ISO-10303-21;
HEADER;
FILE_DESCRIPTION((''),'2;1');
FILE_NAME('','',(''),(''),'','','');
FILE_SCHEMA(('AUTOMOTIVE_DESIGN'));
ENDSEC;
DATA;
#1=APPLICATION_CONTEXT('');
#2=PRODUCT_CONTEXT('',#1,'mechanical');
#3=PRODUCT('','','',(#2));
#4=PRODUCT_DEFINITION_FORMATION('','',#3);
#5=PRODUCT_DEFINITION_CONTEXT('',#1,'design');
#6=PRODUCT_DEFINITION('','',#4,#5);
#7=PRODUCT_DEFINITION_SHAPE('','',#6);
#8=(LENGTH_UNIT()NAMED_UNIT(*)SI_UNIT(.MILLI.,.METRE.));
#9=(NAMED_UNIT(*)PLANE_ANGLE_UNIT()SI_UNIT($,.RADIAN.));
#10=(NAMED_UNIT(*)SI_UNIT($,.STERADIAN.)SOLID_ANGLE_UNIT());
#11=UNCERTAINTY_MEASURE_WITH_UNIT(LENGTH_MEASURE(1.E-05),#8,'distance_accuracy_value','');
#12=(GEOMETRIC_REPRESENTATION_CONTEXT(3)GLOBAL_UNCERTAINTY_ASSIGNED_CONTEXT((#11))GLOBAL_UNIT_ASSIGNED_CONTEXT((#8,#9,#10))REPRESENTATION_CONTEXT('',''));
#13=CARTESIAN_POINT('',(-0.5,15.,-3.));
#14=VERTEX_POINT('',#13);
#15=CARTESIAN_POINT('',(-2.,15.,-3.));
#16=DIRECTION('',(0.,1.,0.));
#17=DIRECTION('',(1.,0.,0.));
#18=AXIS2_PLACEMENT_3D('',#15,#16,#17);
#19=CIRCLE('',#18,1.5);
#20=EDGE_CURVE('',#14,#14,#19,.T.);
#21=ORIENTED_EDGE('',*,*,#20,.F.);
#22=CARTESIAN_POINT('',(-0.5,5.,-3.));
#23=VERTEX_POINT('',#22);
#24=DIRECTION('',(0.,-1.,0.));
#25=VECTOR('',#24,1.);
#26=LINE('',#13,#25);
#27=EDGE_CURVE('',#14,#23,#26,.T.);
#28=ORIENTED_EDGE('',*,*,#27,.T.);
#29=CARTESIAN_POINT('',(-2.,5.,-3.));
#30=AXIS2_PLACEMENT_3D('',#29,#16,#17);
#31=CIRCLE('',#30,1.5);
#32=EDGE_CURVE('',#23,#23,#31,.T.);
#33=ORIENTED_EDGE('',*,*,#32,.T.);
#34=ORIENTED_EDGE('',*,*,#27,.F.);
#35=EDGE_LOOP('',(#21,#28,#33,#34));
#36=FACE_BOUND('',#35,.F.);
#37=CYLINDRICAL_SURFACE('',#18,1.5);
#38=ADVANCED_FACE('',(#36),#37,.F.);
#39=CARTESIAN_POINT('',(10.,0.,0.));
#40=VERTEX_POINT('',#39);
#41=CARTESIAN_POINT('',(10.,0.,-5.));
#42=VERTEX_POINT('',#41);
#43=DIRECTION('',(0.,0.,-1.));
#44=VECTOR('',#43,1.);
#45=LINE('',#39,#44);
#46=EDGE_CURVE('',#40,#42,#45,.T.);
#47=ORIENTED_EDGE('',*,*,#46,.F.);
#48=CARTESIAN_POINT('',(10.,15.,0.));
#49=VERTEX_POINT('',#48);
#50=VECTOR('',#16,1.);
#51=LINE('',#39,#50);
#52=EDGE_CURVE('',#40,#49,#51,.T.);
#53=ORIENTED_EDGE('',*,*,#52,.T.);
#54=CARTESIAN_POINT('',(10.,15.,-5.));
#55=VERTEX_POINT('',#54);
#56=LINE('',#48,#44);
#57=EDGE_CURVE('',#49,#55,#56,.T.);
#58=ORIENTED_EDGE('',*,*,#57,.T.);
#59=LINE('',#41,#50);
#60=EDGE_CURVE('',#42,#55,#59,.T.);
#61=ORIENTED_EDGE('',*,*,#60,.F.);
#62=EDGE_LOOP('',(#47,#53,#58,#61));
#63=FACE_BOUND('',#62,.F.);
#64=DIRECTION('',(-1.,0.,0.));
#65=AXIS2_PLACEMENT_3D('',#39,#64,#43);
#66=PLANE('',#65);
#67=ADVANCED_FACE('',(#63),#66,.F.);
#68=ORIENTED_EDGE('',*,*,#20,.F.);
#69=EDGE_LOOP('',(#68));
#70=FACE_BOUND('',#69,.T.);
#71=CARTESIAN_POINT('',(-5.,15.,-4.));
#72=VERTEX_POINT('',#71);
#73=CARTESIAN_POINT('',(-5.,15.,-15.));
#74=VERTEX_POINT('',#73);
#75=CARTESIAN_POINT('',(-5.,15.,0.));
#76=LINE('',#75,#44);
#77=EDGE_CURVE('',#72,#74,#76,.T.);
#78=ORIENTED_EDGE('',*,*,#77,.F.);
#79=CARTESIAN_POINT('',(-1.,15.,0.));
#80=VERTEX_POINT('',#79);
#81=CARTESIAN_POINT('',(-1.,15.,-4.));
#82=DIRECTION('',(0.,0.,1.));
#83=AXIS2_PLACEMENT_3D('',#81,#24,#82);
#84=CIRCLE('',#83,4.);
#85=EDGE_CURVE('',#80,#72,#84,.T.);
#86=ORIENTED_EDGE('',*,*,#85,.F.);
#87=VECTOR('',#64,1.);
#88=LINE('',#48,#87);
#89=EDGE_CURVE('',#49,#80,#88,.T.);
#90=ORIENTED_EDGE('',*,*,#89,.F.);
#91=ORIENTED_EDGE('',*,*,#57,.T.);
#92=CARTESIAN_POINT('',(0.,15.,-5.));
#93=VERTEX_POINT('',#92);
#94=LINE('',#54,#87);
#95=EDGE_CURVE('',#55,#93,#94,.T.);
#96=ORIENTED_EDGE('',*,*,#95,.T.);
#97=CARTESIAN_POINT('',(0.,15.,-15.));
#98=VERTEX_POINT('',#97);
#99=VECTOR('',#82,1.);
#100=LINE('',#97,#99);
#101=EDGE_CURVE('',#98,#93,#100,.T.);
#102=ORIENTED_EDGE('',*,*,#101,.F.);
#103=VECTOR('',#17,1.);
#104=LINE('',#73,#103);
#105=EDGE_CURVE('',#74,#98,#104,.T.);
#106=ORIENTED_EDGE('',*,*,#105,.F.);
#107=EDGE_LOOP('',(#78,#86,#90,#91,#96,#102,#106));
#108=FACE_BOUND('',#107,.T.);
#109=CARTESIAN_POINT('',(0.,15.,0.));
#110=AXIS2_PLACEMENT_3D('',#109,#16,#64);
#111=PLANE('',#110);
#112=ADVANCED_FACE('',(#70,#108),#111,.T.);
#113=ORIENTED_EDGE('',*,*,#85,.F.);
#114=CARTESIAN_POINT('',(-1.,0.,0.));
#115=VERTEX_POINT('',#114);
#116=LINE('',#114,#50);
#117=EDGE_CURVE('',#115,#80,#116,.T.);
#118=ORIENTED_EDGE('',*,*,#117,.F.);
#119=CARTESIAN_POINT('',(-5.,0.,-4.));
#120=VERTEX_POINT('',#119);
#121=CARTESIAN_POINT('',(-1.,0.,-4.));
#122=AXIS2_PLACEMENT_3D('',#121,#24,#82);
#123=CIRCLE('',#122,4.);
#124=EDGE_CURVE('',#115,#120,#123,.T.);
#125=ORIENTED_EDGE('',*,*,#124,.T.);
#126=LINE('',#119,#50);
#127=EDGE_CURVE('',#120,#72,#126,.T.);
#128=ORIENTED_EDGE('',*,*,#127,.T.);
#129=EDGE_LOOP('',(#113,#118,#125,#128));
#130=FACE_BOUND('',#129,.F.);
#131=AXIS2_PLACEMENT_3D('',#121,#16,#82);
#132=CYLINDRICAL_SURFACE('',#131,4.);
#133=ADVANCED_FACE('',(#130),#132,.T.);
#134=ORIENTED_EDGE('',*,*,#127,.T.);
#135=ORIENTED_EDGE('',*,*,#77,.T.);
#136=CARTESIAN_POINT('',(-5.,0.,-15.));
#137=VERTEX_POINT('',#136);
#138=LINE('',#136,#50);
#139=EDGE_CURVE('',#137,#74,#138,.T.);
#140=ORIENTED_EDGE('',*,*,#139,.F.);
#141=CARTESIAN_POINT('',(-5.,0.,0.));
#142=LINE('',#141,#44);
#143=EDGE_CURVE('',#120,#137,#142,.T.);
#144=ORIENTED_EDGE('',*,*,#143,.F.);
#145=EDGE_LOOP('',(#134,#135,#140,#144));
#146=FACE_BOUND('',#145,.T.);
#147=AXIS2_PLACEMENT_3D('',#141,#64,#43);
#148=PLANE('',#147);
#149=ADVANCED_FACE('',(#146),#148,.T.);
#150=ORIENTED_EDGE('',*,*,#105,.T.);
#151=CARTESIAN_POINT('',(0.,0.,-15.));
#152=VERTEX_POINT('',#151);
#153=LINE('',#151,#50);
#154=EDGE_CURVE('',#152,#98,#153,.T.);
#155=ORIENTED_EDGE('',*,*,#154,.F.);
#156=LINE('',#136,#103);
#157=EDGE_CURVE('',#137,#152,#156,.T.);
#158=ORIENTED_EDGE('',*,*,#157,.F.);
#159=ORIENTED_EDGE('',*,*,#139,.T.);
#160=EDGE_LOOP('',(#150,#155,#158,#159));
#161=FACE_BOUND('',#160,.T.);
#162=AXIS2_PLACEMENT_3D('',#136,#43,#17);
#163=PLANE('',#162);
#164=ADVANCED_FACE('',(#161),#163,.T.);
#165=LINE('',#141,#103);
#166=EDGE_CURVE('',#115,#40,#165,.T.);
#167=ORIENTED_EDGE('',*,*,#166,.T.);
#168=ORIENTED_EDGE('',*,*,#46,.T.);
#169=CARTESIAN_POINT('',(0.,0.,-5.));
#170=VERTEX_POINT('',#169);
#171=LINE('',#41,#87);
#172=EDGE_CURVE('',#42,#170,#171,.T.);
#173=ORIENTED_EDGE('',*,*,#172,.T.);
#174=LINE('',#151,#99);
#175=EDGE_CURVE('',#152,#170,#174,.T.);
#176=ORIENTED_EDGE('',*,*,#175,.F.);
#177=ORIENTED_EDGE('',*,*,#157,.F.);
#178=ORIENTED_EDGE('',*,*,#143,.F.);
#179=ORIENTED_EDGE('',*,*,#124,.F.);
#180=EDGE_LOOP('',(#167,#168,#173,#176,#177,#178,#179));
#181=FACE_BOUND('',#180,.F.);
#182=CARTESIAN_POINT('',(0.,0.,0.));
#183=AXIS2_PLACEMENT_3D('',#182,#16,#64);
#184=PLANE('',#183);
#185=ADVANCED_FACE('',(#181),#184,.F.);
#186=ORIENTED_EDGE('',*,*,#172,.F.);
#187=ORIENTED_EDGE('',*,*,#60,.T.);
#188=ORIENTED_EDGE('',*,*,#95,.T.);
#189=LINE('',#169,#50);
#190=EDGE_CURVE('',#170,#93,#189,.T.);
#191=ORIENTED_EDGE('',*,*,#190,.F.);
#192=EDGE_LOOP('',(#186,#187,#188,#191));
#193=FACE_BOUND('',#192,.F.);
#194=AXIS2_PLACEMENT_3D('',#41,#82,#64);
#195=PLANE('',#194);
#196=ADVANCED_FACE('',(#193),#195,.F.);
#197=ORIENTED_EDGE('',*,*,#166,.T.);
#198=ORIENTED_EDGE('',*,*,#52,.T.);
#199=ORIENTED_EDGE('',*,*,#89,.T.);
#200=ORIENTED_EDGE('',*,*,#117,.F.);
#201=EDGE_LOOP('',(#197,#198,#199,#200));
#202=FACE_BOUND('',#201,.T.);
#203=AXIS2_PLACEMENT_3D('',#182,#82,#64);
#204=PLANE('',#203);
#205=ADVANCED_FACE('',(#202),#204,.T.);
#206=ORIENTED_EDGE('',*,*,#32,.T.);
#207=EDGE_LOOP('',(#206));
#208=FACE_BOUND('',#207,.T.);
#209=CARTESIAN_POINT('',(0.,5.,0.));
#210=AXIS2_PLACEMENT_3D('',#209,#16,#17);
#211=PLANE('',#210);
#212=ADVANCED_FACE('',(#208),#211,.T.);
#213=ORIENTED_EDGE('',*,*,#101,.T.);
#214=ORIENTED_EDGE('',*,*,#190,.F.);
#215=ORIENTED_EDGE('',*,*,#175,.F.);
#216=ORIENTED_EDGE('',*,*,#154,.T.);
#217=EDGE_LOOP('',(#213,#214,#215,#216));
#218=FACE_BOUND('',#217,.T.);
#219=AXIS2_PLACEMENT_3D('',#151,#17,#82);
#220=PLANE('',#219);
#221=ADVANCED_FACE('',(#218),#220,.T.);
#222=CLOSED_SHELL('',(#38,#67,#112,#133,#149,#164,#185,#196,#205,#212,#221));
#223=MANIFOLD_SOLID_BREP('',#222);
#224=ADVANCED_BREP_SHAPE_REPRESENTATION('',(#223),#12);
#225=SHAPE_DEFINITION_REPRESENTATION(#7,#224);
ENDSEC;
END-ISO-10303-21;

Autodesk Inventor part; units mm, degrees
ref_plane "YZ Plane" through (0, 0, 0) normal (1, 0, 0) x (0, 1, 0)
ref_plane "XZ Plane" through (0, 0, 0) normal (0, 1, 0) x (-1, 0, 0)
ref_plane "XY Plane" through (0, 0, 0) normal (0, 0, 1) x (1, 0, 0)
sketch "Sketch1" plane through (0, 0, 0) normal (0, 1, 0) x (-1, 0, 0)
  line L0 (0, 0) -> (5, 0)
  line L1 (5, 0) -> (5, -15)
  line L2 (5, -15) -> (0, -15)
  line L3 (0, -15) -> (0, 0)
  line L4 (0, 0) -> (-10, 0)
  line L5 (-10, 0) -> (-10, -5)
  line L6 (-10, -5) -> (0, -5)
  line L7 (0, -5) -> (0, 0)
  dimension "d0" = 5
  dimension "d1" = 5
  dimension "d2" = 15
  dimension "d3" = 10
extrude "Extrusion1" add sketch "Sketch1" along normal blind 15
sketch "Sketch2" plane through (0, 15, 0) normal (0, 1, 0) x (1, 0, 0)
  circle A0 centre (-2, 3) radius 1.5
  line L0 (-5, 15) -> (-5, 0) projected
  line L1 (-5, 0) -> (10, 0) projected
  point P0 (0, 0)
  dimension "d6" = 3
  dimension "d7" = 3
  dimension "d8" = 3
fillet "Fillet1" radius 4 1 edges at (-5, 7.5, 0)
extrude "Extrusion2" cut sketch "Sketch2" against normal blind 10
properties part number "CornerTest01"
